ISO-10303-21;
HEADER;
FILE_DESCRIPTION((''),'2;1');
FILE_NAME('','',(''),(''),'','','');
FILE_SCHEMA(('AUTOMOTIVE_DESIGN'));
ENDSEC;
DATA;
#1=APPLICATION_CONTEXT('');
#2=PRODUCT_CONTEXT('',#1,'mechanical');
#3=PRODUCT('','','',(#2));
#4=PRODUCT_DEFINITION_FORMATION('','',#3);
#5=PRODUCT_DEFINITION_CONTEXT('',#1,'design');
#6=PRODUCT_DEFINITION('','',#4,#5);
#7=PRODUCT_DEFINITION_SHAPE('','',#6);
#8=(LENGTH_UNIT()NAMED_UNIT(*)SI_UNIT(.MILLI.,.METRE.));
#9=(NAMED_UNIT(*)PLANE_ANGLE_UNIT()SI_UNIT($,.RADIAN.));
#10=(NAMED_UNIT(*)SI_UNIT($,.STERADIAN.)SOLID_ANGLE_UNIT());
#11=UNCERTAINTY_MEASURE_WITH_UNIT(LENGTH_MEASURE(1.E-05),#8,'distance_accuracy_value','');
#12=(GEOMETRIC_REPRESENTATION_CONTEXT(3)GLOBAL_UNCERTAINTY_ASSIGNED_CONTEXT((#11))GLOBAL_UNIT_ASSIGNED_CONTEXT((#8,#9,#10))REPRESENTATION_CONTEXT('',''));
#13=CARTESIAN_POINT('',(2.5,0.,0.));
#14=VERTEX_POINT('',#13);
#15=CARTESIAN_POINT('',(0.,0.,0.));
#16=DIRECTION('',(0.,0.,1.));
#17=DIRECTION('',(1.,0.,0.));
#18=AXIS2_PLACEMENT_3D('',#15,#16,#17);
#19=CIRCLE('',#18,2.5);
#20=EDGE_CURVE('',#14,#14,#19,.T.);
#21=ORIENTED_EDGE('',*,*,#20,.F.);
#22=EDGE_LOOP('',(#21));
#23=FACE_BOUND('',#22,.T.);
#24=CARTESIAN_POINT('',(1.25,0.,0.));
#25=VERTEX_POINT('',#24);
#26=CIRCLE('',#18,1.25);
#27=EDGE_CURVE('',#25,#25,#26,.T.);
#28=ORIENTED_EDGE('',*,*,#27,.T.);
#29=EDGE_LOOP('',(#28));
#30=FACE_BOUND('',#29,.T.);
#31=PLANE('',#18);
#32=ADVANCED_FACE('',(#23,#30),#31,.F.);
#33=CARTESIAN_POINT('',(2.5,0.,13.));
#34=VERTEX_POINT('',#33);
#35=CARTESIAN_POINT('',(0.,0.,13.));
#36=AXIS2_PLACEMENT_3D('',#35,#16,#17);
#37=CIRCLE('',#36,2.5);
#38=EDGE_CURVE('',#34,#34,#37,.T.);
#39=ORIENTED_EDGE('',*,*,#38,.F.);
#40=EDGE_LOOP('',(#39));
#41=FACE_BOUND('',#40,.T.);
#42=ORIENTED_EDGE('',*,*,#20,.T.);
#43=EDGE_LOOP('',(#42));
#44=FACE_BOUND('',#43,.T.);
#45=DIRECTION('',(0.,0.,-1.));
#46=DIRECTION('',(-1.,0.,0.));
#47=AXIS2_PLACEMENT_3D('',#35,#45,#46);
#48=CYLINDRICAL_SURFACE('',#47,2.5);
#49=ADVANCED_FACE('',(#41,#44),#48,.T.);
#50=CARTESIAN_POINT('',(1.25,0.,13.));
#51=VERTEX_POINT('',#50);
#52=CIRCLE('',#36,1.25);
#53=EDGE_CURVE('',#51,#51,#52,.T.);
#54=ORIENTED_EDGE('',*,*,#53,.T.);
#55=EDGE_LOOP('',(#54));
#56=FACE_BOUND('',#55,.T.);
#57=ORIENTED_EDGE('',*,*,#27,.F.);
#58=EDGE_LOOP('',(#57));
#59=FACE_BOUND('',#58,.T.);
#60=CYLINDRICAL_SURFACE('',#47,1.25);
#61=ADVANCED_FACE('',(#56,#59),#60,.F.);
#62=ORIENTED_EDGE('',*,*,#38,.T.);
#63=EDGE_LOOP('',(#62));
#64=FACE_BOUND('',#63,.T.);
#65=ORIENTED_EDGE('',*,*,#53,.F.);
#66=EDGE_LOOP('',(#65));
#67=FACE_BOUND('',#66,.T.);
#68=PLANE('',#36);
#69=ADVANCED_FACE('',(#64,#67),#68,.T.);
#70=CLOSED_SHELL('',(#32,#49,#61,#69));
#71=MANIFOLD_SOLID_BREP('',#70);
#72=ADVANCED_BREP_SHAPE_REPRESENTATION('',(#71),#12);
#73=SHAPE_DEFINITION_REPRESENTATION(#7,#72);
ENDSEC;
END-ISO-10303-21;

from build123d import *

# Parameters (mm, degrees)
ESQUISSE1_R        = 2.5
ESQUISSE1_R_2      = 1.25
BOSS_EXTRU_1_DEPTH = 13


with BuildPart() as part:
    # Esquisse1 → Boss.-Extru.1 (new body)
    with BuildSketch(Plane.XY):
        Circle(ESQUISSE1_R)
        Circle(ESQUISSE1_R_2, mode=Mode.SUBTRACT)
    extrude(amount=BOSS_EXTRU_1_DEPTH)


solid = part.part
